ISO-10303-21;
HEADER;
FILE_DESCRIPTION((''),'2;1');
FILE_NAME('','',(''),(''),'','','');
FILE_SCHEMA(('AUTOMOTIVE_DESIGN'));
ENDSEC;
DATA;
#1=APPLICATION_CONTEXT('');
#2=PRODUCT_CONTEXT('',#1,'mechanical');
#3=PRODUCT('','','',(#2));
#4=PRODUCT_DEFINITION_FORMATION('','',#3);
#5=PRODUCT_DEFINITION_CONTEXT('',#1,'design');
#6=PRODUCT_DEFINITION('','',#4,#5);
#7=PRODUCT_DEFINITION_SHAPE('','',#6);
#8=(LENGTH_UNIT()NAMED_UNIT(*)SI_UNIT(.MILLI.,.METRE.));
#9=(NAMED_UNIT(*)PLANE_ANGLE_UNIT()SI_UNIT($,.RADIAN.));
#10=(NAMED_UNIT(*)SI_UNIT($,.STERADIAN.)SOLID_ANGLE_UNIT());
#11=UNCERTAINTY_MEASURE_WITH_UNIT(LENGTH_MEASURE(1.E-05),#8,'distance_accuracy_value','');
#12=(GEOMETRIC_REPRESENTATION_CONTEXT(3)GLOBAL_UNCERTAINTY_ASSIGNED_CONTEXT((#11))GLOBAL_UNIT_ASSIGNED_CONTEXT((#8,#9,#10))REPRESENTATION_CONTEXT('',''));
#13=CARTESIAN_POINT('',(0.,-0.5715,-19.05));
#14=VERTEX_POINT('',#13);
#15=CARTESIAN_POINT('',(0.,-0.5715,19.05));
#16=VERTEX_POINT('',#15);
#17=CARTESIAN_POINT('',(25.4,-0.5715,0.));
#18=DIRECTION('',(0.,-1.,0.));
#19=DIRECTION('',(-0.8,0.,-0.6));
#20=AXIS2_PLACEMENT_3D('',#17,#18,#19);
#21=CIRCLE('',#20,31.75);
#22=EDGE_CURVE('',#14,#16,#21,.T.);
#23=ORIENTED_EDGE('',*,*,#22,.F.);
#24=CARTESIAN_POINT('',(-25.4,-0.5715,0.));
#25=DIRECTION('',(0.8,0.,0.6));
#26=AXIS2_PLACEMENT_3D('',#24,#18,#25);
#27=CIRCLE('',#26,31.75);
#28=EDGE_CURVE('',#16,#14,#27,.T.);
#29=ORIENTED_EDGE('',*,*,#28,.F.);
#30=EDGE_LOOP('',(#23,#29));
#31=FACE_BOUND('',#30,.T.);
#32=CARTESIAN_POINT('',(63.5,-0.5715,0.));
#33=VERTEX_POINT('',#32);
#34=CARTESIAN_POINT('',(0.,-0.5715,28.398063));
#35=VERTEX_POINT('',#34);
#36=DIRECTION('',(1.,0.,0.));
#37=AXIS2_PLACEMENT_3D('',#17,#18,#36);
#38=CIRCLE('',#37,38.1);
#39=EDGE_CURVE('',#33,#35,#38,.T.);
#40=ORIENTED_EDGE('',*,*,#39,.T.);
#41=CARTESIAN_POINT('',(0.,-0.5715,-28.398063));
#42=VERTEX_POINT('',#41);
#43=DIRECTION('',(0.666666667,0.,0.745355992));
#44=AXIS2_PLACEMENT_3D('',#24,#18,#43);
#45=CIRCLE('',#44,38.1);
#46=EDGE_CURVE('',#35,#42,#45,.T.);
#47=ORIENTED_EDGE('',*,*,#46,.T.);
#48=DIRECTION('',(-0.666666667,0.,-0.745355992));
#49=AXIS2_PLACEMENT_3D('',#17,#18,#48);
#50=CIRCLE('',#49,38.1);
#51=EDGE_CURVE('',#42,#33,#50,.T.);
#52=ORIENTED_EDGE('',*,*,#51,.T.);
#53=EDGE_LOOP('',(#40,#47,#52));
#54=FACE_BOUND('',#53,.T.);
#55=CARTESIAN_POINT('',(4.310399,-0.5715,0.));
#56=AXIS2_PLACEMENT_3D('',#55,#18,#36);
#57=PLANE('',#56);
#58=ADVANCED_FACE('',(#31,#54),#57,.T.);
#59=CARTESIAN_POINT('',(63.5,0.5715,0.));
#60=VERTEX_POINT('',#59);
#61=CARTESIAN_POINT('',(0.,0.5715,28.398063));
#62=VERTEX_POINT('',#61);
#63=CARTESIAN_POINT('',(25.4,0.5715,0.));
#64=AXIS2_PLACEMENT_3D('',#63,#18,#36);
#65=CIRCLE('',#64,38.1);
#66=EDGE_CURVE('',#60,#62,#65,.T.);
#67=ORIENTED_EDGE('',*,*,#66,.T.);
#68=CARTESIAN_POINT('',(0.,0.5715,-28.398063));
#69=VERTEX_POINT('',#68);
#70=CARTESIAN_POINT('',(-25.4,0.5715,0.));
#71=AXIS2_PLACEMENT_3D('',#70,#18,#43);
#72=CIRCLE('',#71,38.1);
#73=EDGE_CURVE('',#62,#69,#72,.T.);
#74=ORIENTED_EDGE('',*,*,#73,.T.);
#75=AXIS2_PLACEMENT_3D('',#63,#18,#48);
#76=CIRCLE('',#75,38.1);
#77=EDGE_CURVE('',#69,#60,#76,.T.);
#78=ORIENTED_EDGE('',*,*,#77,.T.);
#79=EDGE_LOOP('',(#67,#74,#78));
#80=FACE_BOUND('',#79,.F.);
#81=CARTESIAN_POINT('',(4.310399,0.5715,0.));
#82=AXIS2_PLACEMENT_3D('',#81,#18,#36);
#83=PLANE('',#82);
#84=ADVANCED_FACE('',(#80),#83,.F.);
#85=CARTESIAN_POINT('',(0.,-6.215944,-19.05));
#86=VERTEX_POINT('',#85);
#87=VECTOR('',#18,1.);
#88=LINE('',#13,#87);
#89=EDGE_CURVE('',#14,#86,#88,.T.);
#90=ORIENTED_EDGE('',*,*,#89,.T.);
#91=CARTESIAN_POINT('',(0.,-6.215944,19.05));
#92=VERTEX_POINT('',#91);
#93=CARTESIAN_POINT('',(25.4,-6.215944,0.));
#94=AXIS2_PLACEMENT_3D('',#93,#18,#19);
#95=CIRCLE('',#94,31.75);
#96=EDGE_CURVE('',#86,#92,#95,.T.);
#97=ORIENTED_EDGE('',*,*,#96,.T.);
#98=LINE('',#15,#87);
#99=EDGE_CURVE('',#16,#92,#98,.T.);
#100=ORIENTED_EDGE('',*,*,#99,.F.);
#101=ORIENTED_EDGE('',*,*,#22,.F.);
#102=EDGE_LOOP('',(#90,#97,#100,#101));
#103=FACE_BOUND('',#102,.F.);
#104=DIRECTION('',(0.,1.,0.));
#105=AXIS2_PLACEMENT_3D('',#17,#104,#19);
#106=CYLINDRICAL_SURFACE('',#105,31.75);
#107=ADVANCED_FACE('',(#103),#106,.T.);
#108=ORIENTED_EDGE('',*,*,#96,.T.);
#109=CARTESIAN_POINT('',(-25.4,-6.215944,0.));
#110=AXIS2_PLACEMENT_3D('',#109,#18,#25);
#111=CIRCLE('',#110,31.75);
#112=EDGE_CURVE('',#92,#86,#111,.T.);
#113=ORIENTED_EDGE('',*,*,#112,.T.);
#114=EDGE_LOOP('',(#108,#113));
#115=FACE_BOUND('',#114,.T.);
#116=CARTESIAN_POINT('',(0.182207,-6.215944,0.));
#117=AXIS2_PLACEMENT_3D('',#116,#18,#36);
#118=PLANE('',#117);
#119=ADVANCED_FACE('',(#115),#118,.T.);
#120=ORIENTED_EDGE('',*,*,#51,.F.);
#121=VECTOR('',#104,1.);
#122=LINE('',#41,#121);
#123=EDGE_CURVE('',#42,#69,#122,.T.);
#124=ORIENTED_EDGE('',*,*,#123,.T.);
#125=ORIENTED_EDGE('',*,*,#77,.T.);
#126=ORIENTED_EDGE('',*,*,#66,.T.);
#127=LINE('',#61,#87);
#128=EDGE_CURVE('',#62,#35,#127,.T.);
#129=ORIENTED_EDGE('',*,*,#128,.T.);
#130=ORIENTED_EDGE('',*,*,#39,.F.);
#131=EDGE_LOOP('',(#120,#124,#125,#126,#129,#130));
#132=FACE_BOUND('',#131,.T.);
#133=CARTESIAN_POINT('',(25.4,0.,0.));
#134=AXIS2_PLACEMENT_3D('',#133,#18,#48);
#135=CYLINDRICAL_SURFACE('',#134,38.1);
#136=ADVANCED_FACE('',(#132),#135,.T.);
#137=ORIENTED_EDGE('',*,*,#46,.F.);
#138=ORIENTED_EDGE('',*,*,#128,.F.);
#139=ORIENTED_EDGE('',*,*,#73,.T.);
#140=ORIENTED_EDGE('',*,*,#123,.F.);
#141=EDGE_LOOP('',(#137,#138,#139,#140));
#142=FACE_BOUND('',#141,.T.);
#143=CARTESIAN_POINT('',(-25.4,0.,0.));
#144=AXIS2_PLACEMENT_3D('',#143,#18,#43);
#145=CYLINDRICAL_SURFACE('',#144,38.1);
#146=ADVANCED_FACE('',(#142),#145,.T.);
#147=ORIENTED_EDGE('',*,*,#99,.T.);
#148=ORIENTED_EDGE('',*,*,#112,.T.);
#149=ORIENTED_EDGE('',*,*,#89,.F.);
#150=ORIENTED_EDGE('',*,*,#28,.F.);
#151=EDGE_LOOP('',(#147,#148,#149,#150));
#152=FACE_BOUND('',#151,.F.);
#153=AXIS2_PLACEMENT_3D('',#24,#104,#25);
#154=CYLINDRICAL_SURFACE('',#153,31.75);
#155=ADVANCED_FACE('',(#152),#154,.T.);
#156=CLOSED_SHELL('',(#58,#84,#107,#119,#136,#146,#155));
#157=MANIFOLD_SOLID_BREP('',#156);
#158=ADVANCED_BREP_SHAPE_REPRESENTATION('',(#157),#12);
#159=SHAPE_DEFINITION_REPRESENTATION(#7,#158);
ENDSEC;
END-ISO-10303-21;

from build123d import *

# Parameters (mm, degrees)
F1_DEPTH = 0.5715
F2_DEPTH = 0.5715
F4_DEPTH = 5.6444444445


with BuildPart() as f1:
    # F0 (on Front) → F1 (new body)
    with BuildSketch(Plane.XZ):
        with BuildLine():
            ThreePointArc((12.7, 0), (9.3803824016, 15.5542598667), (0, 28.3980633142))
            Line((0, 28.3980633142), (0, -28.3980633142))
            ThreePointArc((0, -28.3980633142), (9.3803824016, -15.5542598667), (12.7, 0))
        make_face()
        with BuildLine():
            Line((0, -28.3980633142), (0, 28.3980633142))
            ThreePointArc((0, 28.3980633142), (-12.7, 0), (0, -28.3980633142))
        make_face()
        with BuildLine():
            ThreePointArc((63.5, 0), (40.9542598667, 34.7803824016), (0, 28.3980633142))
            ThreePointArc((0, 28.3980633142), (9.3803824016, 15.5542598667), (12.7, 0))
            ThreePointArc((12.7, 0), (9.3803824016, -15.5542598667), (0, -28.3980633142))
            ThreePointArc((0, -28.3980633142), (40.9542598667, -34.7803824016), (63.5, 0))
        make_face()
        with BuildLine():
            ThreePointArc((0, -28.3980633142), (-12.7, 0), (0, 28.3980633142))
            ThreePointArc((0, 28.3980633142), (-63.5, 0), (0, -28.3980633142))
        make_face()
    extrude(amount=F1_DEPTH)

    # F2 (add): a face of the model
    f2_faces = [f1.faces().sort_by_distance(p)[0] for p in [
        (0, 0, 0),
    ]]
    extrude(f2_faces, amount=F2_DEPTH)

    # F3 (on face) → F4 (join)
    with BuildSketch(Plane.XZ.offset(0.5715)):
        with BuildLine():
            ThreePointArc((0, -19.05), (4.7206947131, -10.040231571), (6.35, 0))
            ThreePointArc((6.35, 0), (4.7206947131, 10.040231571), (0, 19.05))
            ThreePointArc((0, 19.05), (-6.35, 0), (0, -19.05))
        make_face()
        with BuildLine():
            ThreePointArc((0, 19.05), (4.7206947131, 10.040231571), (6.35, 0))
            ThreePointArc((6.35, 0), (4.7206947131, -10.040231571), (0, -19.05))
            ThreePointArc((0, -19.05), (35.440231571, -30.1206947131), (57.15, 0))
            ThreePointArc((57.15, 0), (35.440231571, 30.1206947131), (0, 19.05))
        make_face()
        with BuildLine():
            ThreePointArc((0, -19.05), (-6.35, 0), (0, 19.05))
            ThreePointArc((0, 19.05), (-57.15, 0), (0, -19.05))
        make_face()
    extrude(amount=F4_DEPTH)


solid = f1.part
